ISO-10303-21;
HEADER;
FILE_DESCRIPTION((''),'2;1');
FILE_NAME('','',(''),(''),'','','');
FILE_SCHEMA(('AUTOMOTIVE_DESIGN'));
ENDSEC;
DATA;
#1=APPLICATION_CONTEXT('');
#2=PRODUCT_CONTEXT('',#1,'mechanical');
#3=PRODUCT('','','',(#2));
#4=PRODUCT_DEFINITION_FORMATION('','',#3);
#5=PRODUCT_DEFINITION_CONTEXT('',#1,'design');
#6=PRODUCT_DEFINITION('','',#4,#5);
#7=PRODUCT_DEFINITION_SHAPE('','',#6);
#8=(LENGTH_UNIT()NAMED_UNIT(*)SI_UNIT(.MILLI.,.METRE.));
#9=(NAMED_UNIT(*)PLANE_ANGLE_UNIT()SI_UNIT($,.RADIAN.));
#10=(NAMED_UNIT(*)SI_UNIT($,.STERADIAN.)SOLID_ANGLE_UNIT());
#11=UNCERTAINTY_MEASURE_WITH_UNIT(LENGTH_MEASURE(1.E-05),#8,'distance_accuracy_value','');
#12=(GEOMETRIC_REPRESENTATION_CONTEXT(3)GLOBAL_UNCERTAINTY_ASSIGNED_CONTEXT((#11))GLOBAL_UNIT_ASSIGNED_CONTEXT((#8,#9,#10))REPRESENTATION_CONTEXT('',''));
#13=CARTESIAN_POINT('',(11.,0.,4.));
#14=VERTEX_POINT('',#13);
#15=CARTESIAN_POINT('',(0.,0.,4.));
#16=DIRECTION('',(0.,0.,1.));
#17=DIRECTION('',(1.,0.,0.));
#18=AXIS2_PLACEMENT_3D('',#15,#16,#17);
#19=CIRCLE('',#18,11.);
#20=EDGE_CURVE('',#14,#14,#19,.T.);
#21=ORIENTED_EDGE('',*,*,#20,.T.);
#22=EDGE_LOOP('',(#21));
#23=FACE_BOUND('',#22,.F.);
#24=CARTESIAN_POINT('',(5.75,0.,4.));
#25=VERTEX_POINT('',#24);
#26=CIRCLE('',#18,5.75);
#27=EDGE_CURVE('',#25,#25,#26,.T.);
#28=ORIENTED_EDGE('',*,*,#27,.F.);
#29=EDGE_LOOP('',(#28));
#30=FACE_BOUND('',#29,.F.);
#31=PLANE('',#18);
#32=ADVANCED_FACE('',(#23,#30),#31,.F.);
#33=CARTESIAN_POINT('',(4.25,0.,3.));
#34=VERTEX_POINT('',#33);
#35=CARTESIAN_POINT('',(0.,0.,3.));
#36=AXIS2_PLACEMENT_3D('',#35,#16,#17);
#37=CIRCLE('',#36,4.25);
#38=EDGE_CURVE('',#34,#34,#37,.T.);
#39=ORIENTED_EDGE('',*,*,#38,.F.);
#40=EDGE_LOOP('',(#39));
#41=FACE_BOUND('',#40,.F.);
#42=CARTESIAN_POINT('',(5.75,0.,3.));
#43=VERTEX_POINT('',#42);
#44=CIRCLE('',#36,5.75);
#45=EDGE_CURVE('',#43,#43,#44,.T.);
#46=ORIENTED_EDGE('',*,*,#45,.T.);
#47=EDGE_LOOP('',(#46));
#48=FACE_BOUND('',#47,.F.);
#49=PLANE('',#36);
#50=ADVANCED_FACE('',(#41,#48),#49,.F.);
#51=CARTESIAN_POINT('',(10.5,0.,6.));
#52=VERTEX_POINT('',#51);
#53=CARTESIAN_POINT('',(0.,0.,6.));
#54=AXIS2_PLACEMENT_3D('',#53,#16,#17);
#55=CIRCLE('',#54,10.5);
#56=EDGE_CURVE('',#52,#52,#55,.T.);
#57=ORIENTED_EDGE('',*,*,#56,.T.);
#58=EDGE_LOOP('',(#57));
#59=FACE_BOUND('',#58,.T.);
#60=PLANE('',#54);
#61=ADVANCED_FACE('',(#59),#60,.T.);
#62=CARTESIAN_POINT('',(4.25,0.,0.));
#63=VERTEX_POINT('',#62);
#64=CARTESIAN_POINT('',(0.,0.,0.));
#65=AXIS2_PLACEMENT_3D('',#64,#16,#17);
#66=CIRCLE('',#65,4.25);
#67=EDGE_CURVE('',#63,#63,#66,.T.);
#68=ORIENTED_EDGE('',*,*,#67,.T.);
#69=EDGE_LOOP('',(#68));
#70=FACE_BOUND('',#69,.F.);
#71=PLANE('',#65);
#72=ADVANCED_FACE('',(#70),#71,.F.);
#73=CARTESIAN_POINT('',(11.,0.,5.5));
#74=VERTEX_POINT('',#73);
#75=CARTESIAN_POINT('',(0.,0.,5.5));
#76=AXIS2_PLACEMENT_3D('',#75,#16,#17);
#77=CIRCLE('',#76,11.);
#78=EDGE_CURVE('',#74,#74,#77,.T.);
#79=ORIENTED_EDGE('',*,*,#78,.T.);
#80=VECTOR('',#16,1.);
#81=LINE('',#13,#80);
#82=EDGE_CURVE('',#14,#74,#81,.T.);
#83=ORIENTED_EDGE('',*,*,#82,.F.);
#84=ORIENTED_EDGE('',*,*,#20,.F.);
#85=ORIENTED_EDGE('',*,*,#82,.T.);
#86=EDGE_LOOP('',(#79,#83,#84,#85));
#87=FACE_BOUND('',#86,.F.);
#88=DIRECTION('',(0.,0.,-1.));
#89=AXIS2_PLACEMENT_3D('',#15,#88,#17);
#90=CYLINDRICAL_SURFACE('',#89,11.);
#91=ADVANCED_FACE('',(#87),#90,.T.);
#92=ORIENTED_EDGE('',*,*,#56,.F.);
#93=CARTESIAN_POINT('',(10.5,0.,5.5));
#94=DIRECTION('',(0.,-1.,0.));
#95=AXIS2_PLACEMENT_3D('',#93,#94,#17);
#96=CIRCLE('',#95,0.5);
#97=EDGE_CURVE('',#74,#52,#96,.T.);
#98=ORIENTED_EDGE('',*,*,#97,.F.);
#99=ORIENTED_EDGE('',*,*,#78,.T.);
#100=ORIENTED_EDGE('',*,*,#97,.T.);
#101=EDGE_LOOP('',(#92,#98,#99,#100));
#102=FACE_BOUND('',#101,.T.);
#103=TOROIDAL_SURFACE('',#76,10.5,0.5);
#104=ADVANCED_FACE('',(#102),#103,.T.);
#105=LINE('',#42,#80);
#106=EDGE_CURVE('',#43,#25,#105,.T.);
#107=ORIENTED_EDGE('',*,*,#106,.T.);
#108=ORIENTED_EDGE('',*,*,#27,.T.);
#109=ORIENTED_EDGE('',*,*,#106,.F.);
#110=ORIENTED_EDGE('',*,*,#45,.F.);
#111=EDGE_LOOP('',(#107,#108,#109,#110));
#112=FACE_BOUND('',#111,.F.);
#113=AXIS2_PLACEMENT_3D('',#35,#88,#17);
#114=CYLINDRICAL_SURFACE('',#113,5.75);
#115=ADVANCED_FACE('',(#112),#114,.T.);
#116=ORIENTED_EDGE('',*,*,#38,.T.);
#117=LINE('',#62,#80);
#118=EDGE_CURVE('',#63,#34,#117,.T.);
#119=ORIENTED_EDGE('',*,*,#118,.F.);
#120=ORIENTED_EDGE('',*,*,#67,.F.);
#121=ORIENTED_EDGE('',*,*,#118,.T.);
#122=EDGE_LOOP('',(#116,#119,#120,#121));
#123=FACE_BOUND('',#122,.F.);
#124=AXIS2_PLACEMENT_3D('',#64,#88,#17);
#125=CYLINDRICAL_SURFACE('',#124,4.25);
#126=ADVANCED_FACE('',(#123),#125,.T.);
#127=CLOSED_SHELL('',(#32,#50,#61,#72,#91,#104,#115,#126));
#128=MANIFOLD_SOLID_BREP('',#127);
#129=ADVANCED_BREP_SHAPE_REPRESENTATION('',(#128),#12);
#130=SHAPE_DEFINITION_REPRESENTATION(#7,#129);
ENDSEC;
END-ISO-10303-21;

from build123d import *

# Parameters (mm, degrees)
F0_R     = 4.25
F1_DEPTH = 3
F2_R     = 5.75
F3_DEPTH = 1
F4_R     = 11
F5_DEPTH = 2
F6_R     = 0.5


with BuildPart() as f1:
    # F0 (on Top) → F1 (new body)
    with BuildSketch(Plane.XY):
        Circle(F0_R)
    extrude(amount=F1_DEPTH)

    # F2 (on face) → F3 (join)
    with BuildSketch(Plane.XY.offset(3)):
        Circle(F2_R)
    extrude(amount=F3_DEPTH)

    # F4 (on face) → F5 (join)
    with BuildSketch(Plane.XY.offset(4)):
        Circle(F4_R)
    extrude(amount=F5_DEPTH)

    # F6
    f6_edges = [f1.edges().sort_by_distance(p)[0] for p in [
        (-11, 0, 6),
    ]]
    fillet(f6_edges, radius=F6_R)


solid = f1.part
